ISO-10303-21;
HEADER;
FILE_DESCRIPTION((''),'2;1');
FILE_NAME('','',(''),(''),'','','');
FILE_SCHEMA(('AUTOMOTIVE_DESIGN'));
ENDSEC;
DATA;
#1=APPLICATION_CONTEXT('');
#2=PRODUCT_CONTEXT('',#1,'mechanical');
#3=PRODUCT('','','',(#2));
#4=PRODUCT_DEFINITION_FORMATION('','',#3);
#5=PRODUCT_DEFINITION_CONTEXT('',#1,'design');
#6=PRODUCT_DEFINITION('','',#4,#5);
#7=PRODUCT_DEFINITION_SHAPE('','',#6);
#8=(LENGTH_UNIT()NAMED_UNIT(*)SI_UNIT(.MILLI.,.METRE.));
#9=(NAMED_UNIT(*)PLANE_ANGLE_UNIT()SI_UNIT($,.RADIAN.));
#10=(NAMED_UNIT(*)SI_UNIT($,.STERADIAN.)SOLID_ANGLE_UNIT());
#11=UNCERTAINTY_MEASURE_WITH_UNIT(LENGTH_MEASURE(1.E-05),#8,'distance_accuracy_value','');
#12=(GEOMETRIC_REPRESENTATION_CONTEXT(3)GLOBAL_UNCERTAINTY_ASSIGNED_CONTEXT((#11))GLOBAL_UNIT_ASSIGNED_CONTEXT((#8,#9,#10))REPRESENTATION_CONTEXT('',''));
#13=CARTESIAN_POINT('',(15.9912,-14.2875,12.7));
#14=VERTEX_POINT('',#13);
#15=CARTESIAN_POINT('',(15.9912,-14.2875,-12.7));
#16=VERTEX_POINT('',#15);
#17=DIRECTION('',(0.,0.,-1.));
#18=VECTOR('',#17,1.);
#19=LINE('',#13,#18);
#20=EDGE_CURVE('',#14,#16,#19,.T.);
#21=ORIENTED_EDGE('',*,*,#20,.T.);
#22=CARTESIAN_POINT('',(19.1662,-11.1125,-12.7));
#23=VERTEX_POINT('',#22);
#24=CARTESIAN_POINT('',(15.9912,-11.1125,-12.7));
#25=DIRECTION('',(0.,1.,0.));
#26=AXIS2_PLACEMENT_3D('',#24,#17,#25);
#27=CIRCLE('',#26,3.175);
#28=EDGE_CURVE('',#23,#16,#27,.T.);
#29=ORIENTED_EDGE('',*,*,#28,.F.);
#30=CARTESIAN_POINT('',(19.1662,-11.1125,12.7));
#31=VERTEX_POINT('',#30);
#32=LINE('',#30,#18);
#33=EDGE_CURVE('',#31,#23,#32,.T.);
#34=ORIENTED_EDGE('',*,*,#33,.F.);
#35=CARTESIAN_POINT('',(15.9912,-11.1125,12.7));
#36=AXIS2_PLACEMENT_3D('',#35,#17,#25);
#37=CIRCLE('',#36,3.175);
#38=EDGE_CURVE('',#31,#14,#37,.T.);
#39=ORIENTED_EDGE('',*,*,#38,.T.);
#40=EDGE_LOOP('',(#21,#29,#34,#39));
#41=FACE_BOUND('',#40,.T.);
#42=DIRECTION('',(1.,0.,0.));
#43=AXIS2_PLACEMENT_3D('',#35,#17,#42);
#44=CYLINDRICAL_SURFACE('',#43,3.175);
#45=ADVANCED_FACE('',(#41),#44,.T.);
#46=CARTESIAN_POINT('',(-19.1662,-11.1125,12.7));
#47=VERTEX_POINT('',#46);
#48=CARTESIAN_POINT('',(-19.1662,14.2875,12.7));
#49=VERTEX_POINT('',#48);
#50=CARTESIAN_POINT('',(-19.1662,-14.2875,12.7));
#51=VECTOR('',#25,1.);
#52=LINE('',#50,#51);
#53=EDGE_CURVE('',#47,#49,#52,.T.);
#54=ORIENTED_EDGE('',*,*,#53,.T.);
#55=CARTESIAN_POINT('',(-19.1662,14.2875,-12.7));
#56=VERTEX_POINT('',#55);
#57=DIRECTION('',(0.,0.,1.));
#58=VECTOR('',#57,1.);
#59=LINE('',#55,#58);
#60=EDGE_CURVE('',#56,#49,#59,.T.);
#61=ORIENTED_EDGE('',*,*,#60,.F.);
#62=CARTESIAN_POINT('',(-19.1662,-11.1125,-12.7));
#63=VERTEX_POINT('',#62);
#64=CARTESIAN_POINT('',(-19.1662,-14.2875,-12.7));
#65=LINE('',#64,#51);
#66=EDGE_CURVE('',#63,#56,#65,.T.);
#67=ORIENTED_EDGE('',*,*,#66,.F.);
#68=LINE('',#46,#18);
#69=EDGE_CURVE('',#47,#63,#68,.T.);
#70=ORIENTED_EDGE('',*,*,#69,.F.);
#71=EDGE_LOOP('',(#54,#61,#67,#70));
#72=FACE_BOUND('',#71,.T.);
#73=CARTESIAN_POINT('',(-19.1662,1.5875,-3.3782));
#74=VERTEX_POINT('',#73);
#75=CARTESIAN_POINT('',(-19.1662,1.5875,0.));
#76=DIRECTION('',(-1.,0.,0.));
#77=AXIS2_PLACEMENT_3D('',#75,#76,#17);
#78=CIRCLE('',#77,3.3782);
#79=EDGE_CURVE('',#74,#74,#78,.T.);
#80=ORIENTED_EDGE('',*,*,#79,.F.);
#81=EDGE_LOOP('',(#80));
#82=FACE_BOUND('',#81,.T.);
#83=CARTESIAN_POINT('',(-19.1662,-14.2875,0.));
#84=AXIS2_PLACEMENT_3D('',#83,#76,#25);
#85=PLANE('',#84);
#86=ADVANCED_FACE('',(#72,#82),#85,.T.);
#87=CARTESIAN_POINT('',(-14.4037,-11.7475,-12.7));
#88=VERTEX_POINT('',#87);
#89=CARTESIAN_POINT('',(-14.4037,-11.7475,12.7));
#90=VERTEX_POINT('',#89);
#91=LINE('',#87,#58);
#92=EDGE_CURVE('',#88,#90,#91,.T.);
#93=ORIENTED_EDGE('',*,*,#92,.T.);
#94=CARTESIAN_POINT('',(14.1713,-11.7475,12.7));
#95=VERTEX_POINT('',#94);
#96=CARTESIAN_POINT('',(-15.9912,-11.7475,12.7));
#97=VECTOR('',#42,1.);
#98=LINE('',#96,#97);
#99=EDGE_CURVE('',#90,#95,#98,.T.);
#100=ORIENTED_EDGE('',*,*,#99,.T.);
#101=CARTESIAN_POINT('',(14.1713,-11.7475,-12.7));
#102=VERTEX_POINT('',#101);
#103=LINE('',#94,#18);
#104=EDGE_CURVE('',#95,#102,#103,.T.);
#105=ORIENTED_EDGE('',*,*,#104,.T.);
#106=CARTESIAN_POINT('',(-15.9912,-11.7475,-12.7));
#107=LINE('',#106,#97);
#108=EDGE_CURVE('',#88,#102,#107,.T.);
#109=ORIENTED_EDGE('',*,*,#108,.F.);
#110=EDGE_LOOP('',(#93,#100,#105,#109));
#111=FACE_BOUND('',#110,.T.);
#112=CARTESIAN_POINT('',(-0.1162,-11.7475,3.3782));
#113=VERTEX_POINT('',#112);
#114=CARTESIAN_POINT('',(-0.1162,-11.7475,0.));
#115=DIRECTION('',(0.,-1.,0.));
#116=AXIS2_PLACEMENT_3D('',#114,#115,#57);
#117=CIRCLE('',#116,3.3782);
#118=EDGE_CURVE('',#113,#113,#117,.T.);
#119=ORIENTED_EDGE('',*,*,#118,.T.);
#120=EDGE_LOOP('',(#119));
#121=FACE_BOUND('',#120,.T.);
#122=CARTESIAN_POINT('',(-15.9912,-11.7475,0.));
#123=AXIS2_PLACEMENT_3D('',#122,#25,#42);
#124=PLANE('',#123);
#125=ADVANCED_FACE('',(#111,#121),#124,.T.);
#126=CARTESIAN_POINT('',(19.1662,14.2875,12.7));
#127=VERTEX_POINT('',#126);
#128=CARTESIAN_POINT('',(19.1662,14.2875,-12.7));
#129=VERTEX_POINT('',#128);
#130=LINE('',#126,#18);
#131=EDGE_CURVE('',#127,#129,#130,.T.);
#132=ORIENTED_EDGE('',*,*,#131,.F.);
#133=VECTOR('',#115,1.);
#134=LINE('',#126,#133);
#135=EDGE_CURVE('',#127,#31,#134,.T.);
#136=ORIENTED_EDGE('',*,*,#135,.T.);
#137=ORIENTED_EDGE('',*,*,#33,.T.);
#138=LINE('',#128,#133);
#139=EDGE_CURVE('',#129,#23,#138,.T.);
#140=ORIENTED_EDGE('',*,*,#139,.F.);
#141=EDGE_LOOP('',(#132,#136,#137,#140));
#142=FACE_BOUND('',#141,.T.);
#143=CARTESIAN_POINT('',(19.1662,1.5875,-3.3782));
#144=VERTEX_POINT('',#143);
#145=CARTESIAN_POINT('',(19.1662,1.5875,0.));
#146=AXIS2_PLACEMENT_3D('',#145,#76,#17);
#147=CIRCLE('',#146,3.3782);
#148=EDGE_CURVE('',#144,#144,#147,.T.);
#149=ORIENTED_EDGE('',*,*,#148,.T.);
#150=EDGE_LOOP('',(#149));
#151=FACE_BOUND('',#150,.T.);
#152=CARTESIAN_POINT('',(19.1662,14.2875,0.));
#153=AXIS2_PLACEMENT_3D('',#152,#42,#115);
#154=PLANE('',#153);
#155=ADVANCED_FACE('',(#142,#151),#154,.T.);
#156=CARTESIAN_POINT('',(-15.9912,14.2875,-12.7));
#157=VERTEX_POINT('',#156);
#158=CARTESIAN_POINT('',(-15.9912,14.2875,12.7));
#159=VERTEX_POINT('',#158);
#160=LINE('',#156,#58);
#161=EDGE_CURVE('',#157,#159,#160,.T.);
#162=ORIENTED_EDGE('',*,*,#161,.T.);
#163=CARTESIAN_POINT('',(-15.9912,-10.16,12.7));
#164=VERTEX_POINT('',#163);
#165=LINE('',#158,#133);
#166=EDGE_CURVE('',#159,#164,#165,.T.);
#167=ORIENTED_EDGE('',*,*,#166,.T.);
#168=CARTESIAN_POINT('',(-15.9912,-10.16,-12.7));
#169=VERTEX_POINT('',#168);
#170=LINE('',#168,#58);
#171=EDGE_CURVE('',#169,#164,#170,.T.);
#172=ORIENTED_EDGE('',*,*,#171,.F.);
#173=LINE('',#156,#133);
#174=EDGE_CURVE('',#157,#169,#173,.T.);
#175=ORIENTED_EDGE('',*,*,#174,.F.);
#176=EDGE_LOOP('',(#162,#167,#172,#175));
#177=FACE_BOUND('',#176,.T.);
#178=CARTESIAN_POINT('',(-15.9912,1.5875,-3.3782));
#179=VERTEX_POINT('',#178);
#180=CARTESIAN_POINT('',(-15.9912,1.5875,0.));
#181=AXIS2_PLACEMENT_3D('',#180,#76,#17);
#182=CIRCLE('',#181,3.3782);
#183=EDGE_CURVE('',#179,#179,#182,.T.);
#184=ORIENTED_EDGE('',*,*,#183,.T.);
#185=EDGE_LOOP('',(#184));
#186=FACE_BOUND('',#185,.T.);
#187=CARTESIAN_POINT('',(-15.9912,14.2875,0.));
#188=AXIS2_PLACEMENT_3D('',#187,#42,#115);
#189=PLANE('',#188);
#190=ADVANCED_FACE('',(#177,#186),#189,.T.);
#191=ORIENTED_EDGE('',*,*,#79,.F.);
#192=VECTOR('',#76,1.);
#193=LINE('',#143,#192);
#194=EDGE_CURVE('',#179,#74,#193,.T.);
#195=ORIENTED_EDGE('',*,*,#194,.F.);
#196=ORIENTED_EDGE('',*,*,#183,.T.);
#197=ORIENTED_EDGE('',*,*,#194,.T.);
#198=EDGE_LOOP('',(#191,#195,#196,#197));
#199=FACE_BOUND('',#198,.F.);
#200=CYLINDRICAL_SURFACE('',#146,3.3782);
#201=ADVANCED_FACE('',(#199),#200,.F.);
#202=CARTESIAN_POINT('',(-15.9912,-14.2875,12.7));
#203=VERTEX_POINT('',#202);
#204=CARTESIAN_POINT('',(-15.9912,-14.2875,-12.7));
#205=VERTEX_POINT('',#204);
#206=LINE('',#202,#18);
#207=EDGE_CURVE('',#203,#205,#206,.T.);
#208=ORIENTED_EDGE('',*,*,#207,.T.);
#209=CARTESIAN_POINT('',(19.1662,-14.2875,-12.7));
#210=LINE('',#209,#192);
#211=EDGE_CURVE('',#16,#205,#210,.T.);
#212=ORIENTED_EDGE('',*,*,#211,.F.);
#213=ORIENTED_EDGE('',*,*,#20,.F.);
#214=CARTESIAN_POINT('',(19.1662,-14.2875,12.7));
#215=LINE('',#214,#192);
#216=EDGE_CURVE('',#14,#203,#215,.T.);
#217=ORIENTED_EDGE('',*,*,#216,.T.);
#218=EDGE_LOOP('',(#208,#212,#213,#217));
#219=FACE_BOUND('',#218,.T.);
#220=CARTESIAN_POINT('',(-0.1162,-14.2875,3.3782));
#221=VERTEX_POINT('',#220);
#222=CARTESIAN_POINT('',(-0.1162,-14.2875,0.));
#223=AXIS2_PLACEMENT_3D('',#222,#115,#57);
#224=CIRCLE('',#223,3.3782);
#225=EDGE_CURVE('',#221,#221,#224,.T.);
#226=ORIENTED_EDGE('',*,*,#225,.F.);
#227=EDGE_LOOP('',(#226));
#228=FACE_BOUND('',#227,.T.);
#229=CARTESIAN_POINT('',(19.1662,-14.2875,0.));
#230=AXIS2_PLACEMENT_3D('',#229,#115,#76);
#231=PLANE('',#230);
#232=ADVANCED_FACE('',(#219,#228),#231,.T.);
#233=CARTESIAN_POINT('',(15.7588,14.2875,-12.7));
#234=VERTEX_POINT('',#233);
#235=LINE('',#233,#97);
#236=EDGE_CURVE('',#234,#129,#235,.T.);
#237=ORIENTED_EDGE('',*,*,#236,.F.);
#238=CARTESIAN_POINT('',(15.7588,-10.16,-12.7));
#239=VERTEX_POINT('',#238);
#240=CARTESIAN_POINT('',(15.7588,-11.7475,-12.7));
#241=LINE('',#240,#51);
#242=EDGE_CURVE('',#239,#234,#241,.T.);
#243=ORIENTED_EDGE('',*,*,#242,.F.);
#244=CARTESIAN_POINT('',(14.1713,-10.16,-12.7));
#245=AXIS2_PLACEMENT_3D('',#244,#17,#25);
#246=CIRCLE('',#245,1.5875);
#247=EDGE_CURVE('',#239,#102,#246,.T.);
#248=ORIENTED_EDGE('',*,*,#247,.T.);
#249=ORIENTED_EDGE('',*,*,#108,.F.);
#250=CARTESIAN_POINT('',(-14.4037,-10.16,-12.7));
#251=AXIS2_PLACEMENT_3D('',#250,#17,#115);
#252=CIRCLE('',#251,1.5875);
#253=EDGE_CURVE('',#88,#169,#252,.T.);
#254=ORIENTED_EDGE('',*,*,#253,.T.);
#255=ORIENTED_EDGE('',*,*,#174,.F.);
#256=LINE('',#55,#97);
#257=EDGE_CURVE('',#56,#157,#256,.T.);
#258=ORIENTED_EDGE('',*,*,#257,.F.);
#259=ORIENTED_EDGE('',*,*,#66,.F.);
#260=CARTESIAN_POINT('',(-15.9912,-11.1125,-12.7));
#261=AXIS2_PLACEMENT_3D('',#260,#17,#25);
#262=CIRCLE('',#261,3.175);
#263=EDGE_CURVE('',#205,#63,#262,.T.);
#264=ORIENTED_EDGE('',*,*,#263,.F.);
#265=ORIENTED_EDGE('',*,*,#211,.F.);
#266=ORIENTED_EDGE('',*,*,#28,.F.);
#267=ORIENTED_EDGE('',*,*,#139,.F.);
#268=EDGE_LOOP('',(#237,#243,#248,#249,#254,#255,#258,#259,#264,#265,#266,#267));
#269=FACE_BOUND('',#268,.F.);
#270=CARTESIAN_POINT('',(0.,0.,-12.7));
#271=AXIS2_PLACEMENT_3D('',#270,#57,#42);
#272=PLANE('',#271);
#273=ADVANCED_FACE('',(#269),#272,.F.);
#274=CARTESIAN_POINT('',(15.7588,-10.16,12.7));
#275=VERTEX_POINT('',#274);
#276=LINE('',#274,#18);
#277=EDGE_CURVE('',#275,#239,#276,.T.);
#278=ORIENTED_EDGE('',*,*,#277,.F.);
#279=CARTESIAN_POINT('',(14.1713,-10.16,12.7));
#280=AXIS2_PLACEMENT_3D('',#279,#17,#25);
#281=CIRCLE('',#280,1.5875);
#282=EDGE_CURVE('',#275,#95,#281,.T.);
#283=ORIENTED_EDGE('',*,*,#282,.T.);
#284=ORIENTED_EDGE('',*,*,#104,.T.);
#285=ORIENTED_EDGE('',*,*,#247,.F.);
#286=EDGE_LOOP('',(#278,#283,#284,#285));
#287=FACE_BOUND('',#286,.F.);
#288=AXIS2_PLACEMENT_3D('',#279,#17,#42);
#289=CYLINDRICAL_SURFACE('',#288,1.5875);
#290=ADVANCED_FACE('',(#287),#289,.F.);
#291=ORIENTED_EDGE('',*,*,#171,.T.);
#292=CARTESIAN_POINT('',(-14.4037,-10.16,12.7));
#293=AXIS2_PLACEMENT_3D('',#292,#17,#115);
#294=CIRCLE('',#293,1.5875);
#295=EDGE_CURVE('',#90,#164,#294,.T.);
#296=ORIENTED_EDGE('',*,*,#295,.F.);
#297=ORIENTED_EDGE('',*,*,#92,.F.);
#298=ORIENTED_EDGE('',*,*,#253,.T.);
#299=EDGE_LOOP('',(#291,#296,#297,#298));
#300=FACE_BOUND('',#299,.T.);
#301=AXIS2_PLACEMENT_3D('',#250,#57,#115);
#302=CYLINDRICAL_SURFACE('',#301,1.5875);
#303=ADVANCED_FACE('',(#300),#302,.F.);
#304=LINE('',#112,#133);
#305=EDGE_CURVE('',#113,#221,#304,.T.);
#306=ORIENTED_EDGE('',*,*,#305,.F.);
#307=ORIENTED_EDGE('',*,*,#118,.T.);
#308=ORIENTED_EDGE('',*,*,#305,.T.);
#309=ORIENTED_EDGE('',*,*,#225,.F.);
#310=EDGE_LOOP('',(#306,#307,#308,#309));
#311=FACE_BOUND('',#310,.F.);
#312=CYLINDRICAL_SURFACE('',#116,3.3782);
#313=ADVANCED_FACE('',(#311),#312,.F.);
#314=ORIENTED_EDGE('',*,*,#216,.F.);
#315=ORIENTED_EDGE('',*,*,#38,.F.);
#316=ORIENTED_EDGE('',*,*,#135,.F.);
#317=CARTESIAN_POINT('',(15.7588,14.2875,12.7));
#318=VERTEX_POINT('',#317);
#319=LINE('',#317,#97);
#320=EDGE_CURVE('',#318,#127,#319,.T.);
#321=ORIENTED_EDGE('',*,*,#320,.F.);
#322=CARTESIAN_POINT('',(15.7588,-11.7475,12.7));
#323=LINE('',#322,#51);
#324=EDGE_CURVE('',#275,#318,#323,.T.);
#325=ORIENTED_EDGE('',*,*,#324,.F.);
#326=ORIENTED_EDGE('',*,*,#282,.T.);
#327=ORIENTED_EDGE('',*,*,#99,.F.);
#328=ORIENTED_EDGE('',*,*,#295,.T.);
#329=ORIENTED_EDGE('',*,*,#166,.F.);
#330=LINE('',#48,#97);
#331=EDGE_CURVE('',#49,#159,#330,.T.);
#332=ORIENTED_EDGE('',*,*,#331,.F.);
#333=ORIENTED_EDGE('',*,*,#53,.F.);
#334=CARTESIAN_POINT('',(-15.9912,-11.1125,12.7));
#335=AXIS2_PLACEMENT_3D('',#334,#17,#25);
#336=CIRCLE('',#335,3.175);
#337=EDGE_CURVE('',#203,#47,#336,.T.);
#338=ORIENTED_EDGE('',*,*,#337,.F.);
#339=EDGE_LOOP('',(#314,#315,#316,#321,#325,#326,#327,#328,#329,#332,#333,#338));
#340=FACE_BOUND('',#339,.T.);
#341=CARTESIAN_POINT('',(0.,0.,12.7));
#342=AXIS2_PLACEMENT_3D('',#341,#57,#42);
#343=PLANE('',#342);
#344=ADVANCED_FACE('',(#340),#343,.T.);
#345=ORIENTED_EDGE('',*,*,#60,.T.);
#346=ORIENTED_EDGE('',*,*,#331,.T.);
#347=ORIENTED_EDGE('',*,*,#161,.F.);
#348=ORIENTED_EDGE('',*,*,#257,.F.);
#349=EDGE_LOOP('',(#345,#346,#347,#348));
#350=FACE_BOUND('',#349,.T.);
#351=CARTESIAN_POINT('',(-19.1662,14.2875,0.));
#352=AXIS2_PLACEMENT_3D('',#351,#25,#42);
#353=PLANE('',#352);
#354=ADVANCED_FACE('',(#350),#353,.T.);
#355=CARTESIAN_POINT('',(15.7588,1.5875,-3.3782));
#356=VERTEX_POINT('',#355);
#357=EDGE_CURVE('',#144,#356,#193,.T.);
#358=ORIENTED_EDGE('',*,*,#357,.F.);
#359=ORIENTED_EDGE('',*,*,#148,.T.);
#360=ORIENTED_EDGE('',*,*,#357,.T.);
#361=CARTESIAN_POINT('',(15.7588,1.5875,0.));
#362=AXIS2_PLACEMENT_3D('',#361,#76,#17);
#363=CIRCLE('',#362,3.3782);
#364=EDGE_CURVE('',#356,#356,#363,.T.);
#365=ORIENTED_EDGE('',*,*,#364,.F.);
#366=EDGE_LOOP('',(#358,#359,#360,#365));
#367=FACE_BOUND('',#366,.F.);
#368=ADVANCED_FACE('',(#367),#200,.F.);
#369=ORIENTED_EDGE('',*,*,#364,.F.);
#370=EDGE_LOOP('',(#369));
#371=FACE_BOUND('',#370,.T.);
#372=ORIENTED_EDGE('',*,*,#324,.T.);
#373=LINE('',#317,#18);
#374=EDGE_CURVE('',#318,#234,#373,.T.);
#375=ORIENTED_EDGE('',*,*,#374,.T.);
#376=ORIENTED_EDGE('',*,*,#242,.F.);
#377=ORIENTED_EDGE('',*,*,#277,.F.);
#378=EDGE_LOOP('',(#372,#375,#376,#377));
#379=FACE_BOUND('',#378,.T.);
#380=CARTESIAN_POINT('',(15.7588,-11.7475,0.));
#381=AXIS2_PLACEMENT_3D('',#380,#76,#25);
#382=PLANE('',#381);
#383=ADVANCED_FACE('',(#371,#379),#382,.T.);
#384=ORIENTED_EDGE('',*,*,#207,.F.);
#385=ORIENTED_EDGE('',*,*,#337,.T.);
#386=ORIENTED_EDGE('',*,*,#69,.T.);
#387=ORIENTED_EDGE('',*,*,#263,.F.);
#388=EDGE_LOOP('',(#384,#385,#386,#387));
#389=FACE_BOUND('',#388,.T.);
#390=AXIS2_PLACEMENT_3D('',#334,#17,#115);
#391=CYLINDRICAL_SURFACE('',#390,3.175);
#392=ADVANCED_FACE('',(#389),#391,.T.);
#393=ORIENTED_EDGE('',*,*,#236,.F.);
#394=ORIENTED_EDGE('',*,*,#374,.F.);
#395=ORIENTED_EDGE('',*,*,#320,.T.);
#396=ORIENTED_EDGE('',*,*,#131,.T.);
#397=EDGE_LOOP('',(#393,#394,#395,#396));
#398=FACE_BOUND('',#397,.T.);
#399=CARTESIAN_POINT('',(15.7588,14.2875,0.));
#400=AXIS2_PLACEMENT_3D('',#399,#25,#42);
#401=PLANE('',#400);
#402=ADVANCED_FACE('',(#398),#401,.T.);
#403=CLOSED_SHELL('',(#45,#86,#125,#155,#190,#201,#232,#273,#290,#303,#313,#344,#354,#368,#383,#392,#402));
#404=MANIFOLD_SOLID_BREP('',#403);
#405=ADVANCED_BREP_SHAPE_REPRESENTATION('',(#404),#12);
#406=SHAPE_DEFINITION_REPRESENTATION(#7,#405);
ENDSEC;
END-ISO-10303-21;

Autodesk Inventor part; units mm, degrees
ref_plane "YZ Plane" through (0, 0, 0) normal (1, 0, 0) x (0, 1, 0)
ref_plane "XZ Plane" through (0, 0, 0) normal (0, 1, 0) x (-1, 0, 0)
ref_plane "XY Plane" through (0, 0, 0) normal (0, 0, 1) x (1, 0, 0)
sketch "Sketch1" plane through (0, 0, 0) normal (0, 0, 1) x (1, 0, 0)
  line L0 (-15.9912, -11.7475) -> (15.7588, -11.7475)
  line L1 (15.7588, -11.7475) -> (15.7588, 14.2875)
  line L2 (-15.9912, 14.2875) -> (-15.9912, -11.7475)
  line L3 (-15.9912, -11.7475) -> (15.7588, 11.5768) construction
  line L4 (15.7588, -11.7475) -> (-15.9912, 11.9207) construction
  line L5 (19.1662, -14.2875) -> (-19.1662, -14.2875)
  line L6 (-19.1662, -14.2875) -> (-19.1662, 14.2875)
  line L7 (19.1662, 14.2875) -> (19.1662, -14.2875)
  line L8 (19.1662, -14.2875) -> (-19.1662, 14.2875) construction
  line L9 (-19.1662, -14.2875) -> (19.1662, 14.2875) construction
  line L10 (-19.1662, 14.2875) -> (-15.9912, 14.2875)
  line L11 (15.7588, 14.2875) -> (19.1662, 14.2875)
  point P0 (0, 0)
  dimension "d2" = 3.175
  dimension "d3" = 28.575
  dimension "d4" = 31.75
  dimension "d5" = 2.54
extrude "Extrusion1" add sketch "Sketch1" along normal mid plane 25.4
sketch "Sketch2" plane through (19.1662, 14.2875, 12.7) normal (1, 0, 0) x (0, 0, -1)
  line L0 (0, 0) -> (25.4, 0) projected
  point P0 (12.7, -14.2875)
  point P1 (12.7, -12.7)
  dimension "d9" = 12.7
hole "Hole1" at (19.1662, 1.5875, 0) direction (-1, 0, 0) diameter 6.7564 end through all clearance for "Flat Head Machine Screw (82)" size "1/4" standard "Ansi Unified Screw Threads"
sketch "Sketch3" plane through (-15.9912, -11.7475, 12.7) normal (0, 1, 0) x (1, 0, 0)
  line L0 (0, 25.4) -> (0, 0) projected
  line L1 (0, 25.4) -> (31.75, 25.4) projected
  point P0 (15.875, 12.7)
  point P1 (15.875, 12.7)
  dimension "d26" = 12.7
  dimension "d27" = 15.875
hole "Hole2" at (-0.1162, -11.7475, 0) direction (0, -1, 0) diameter 6.7564 end through all clearance for "Flat Head Machine Screw (82)" size "1/4" standard "Ansi Unified Screw Threads"
fillet "Fillet2" radius 3.175 2 edges at (-19.1662, -14.2875, 0) (19.1662, -14.2875, 0)
fillet "Fillet3" radius 1.5875 2 edges at (-15.9912, -11.7475, 0) (15.7588, -11.7475, 0)
sketch "Sketch4" plane through (-19.1662, 14.2875, -12.7) normal (-1, 0, 0) x (0, 0, 1)
  circle A0 centre (12.7, -12.7) radius 3.3782 projected
  circle A1 centre (12.7, -12.7) radius 728.218
  line L0 (723.9, -1.1049) -> (723.9, 7.4549) projected
  circle A2 centre (653.833, 332.6257) radius 3.5687 projected
  point P0 (12.7, -14.2875)
  point P1 (723.9, 143.812)
properties part number "C19_TK_ClimberingSupportBracket" material "Aluminum 6061"
